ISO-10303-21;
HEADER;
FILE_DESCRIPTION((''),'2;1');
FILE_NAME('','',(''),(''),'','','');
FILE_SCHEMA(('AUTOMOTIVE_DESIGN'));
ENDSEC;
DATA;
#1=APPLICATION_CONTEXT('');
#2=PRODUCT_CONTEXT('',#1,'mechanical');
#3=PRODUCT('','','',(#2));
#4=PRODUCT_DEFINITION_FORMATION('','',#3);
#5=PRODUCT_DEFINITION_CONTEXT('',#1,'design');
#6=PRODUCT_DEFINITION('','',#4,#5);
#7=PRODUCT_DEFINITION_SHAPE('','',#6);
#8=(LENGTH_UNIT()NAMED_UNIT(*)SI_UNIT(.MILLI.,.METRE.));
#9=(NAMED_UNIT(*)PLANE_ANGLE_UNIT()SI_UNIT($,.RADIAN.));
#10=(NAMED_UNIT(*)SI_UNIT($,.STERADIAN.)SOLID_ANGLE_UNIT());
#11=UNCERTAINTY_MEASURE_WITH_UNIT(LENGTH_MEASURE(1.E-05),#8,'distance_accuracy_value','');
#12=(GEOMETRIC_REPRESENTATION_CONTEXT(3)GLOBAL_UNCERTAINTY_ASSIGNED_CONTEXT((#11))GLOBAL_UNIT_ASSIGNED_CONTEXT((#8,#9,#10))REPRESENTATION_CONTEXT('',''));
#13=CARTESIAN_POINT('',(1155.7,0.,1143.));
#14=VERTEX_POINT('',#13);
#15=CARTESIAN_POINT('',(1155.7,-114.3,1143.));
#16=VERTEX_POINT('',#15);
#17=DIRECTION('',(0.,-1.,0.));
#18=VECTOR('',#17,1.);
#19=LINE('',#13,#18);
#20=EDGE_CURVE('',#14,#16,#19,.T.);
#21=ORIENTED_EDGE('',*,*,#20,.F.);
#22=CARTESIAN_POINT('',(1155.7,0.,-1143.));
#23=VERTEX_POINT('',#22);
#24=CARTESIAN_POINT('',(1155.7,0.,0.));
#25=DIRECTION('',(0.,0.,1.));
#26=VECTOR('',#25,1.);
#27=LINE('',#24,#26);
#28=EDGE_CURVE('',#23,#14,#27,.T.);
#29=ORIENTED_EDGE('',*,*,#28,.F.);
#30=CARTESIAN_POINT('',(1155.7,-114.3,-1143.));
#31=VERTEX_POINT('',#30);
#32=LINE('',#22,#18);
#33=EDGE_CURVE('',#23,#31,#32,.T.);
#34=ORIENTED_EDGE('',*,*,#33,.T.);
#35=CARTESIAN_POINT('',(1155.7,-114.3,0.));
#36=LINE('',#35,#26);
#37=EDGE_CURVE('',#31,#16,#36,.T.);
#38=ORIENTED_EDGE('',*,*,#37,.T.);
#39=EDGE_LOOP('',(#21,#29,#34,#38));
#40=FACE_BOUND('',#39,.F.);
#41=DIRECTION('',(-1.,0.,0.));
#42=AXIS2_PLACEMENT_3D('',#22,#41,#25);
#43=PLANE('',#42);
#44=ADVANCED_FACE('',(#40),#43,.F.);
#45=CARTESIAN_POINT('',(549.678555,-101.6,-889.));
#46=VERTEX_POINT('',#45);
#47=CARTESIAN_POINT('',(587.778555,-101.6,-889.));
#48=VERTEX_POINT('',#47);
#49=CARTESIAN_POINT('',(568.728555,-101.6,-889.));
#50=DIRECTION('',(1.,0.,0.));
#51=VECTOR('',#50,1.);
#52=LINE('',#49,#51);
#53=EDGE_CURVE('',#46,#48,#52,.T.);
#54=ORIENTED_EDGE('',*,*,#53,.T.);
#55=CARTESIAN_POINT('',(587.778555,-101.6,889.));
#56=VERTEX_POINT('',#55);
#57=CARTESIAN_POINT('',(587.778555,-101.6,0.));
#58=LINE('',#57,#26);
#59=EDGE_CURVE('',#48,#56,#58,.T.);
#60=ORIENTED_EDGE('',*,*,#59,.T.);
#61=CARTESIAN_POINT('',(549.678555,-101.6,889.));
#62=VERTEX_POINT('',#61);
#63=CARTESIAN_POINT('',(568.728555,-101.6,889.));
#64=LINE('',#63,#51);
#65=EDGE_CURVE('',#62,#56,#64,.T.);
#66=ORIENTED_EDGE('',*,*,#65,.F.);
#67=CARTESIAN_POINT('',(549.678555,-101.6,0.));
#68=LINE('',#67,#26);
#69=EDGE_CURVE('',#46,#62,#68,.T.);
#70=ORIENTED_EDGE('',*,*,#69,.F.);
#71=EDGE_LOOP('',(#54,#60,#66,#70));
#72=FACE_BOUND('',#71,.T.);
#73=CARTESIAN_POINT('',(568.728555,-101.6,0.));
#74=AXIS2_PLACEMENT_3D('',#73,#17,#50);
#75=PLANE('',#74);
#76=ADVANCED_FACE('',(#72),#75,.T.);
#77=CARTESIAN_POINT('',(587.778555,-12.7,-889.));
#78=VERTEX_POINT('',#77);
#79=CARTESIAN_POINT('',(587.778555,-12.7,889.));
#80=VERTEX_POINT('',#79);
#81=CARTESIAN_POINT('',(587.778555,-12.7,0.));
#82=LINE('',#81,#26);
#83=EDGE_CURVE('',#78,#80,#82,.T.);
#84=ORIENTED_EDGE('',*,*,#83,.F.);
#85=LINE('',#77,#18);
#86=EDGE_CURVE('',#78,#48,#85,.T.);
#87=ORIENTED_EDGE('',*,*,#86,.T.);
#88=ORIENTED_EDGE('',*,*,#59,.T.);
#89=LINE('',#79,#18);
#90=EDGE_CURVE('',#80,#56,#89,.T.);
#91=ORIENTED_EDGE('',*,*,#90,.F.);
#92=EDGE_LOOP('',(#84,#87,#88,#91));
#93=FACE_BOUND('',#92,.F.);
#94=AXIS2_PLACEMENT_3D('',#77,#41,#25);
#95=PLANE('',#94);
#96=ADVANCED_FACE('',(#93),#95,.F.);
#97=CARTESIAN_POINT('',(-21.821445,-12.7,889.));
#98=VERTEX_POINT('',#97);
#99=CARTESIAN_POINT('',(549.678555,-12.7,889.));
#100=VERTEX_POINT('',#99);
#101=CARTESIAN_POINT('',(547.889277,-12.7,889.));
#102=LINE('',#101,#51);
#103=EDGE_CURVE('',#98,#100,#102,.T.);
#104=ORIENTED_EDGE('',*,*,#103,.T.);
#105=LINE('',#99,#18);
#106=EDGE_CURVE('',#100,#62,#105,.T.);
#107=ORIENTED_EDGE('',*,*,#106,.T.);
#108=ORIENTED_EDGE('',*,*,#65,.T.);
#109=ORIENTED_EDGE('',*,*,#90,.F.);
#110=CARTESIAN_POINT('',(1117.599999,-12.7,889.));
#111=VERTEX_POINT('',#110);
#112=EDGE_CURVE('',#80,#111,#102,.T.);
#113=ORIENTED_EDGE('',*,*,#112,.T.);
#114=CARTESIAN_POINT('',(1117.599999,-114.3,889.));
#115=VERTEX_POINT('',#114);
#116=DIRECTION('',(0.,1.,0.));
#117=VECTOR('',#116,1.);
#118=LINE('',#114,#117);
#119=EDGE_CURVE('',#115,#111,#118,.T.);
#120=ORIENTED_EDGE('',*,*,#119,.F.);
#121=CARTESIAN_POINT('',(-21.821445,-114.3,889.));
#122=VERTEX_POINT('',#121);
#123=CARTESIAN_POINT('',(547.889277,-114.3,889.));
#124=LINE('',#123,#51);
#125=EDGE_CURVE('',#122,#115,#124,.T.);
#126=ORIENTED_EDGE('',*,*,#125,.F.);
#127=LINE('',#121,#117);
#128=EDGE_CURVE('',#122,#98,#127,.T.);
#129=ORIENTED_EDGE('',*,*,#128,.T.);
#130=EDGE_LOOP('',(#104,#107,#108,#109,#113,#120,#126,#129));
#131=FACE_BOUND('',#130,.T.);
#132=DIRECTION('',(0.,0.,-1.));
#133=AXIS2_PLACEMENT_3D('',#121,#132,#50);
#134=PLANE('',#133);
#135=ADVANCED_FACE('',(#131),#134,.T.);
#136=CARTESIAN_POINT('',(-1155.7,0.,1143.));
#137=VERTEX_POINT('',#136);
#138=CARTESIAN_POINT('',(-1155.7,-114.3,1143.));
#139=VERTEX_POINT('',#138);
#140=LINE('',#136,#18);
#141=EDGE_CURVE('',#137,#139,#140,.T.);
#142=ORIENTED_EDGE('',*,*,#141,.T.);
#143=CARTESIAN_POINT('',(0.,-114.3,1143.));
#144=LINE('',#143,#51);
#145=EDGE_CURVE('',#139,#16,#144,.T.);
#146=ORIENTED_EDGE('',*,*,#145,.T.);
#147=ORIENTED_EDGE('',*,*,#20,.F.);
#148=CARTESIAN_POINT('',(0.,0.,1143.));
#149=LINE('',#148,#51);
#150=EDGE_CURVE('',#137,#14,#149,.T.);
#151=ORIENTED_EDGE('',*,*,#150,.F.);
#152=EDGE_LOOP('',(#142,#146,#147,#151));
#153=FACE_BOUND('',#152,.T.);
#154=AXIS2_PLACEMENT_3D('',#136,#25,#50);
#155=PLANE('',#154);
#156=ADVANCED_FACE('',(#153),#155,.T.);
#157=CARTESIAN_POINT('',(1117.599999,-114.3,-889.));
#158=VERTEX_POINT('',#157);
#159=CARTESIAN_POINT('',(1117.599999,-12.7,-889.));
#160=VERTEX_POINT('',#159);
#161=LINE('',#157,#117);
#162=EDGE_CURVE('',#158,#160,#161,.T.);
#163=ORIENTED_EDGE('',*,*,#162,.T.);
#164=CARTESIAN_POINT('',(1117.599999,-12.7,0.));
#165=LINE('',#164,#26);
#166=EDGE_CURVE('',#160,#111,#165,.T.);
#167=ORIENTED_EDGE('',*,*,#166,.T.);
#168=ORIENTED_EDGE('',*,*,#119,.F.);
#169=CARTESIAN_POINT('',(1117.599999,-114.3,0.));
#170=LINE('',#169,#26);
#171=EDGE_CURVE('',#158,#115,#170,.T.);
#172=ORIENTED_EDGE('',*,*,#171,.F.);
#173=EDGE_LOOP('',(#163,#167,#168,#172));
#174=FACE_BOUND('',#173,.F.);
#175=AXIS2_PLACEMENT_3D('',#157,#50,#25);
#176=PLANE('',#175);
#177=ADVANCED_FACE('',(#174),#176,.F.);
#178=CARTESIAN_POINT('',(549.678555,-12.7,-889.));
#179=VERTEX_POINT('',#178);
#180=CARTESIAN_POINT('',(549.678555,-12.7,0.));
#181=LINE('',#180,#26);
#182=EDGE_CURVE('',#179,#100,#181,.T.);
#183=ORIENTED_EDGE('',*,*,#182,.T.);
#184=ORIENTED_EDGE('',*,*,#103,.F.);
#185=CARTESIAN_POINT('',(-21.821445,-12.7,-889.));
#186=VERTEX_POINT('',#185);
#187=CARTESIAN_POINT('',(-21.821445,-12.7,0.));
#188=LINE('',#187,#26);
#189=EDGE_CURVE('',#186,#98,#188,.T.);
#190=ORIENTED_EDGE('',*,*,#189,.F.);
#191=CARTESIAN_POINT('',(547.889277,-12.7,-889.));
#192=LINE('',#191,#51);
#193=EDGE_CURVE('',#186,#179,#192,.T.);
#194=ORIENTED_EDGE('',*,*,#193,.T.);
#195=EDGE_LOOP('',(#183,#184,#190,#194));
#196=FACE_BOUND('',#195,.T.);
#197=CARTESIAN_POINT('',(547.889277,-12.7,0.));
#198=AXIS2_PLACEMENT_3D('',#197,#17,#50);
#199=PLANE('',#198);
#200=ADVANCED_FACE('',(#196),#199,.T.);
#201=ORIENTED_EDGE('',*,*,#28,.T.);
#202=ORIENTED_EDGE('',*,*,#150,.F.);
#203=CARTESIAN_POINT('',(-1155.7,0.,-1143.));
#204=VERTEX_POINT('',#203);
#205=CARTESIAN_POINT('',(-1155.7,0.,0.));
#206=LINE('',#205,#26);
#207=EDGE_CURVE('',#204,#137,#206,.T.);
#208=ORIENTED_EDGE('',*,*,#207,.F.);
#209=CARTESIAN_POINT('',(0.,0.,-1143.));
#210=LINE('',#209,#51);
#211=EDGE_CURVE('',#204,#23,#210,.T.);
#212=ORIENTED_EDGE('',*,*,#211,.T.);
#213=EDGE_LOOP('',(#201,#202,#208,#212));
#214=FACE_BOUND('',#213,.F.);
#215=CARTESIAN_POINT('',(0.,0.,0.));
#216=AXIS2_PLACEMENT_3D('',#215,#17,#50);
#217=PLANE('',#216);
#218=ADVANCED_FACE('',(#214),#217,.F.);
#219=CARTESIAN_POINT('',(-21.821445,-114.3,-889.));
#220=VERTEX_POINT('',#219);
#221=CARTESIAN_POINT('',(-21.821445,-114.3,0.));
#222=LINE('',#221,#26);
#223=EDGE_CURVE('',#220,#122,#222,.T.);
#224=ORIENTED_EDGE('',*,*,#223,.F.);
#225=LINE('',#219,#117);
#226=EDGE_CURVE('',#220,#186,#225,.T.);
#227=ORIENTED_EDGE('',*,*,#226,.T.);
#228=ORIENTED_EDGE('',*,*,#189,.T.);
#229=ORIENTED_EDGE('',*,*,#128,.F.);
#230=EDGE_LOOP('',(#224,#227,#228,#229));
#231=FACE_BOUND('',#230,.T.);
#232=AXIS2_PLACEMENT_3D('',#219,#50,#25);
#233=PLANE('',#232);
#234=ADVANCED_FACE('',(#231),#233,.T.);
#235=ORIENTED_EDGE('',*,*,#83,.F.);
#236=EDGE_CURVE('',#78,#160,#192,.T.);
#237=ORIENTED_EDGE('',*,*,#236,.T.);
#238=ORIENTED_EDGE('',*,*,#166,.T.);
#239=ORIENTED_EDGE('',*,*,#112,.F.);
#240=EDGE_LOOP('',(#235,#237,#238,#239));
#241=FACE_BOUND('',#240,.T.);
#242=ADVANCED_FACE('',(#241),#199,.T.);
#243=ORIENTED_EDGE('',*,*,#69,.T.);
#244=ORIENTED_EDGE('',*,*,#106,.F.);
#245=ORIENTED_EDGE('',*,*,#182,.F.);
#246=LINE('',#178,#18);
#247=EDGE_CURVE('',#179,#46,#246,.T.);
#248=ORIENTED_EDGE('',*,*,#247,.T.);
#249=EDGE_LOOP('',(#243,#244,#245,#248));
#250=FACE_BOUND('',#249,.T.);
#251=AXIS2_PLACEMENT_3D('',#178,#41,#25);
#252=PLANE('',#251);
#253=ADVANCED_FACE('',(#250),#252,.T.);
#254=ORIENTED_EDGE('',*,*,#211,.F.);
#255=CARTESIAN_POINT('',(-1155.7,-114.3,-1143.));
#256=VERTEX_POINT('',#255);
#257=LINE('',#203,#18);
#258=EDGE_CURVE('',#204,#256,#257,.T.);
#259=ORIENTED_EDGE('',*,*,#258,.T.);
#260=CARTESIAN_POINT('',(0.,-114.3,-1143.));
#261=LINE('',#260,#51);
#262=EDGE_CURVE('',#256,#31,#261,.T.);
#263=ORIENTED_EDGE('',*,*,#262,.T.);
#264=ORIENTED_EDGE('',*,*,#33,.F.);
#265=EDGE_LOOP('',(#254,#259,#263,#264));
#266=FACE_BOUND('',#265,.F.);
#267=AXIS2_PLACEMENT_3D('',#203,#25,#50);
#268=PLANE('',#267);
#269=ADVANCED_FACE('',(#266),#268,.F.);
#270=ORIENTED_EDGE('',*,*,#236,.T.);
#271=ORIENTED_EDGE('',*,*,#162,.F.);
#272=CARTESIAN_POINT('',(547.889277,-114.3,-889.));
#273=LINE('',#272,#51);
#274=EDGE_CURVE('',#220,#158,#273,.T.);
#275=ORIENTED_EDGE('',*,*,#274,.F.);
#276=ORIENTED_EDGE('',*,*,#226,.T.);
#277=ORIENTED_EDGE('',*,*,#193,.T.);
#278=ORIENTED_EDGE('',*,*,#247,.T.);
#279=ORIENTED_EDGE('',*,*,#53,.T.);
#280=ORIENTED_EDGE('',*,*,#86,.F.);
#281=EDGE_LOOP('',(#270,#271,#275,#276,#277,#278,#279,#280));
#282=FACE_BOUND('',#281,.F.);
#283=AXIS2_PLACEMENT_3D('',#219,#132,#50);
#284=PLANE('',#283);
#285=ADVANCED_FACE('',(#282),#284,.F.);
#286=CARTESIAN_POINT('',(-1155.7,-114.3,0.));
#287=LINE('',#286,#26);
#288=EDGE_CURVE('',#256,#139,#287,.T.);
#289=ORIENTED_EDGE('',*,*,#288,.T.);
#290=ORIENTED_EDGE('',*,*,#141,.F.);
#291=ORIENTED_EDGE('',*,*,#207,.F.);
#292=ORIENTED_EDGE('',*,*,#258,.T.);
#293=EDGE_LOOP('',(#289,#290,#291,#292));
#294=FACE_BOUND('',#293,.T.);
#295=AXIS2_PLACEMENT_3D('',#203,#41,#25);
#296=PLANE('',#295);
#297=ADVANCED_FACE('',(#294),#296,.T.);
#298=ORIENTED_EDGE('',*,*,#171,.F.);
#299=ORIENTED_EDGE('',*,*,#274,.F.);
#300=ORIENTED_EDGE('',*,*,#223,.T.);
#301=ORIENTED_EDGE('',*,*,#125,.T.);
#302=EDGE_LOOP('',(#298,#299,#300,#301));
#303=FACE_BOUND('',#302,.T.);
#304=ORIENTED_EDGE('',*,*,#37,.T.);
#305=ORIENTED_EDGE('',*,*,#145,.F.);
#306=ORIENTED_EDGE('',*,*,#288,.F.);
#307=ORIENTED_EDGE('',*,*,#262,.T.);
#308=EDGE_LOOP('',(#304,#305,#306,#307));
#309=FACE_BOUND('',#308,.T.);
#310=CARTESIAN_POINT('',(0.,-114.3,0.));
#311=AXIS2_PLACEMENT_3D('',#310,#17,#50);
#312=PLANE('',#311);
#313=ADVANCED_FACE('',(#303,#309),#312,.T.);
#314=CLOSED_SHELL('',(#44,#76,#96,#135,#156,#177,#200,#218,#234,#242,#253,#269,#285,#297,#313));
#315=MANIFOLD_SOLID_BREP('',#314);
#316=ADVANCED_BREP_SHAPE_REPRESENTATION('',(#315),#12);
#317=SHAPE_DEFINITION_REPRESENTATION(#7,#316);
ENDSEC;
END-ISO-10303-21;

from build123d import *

# Parameters (mm, degrees)
F0_W     = 2311.4
F0_H     = 2286
F1_DEPTH = 114.3
F2_W     = 1139.421445
F2_H     = 1778
F3_DEPTH = 101.6
F4_W     = 38.1
F4_H     = 1778
F5_DEPTH = 88.9


with BuildPart() as f1:
    # F0 (on Front) → F1 (new body)
    with BuildSketch(Plane.XZ):
        Rectangle(F0_W, F0_H)
    extrude(amount=F1_DEPTH)

    # F2 (on face) → F3 (cut)
    with BuildSketch(Plane.XZ.offset(114.3)):
        with Locations((547.889277, 0)):
            Rectangle(F2_W, F2_H)
    extrude(amount=-F3_DEPTH, mode=Mode.SUBTRACT)

    # F4 (on face) → F5 (join)
    with BuildSketch(Plane.XZ.offset(12.7)):
        with Locations((568.728555, 0)):
            Rectangle(F4_W, F4_H)
    extrude(amount=F5_DEPTH)


solid = f1.part
